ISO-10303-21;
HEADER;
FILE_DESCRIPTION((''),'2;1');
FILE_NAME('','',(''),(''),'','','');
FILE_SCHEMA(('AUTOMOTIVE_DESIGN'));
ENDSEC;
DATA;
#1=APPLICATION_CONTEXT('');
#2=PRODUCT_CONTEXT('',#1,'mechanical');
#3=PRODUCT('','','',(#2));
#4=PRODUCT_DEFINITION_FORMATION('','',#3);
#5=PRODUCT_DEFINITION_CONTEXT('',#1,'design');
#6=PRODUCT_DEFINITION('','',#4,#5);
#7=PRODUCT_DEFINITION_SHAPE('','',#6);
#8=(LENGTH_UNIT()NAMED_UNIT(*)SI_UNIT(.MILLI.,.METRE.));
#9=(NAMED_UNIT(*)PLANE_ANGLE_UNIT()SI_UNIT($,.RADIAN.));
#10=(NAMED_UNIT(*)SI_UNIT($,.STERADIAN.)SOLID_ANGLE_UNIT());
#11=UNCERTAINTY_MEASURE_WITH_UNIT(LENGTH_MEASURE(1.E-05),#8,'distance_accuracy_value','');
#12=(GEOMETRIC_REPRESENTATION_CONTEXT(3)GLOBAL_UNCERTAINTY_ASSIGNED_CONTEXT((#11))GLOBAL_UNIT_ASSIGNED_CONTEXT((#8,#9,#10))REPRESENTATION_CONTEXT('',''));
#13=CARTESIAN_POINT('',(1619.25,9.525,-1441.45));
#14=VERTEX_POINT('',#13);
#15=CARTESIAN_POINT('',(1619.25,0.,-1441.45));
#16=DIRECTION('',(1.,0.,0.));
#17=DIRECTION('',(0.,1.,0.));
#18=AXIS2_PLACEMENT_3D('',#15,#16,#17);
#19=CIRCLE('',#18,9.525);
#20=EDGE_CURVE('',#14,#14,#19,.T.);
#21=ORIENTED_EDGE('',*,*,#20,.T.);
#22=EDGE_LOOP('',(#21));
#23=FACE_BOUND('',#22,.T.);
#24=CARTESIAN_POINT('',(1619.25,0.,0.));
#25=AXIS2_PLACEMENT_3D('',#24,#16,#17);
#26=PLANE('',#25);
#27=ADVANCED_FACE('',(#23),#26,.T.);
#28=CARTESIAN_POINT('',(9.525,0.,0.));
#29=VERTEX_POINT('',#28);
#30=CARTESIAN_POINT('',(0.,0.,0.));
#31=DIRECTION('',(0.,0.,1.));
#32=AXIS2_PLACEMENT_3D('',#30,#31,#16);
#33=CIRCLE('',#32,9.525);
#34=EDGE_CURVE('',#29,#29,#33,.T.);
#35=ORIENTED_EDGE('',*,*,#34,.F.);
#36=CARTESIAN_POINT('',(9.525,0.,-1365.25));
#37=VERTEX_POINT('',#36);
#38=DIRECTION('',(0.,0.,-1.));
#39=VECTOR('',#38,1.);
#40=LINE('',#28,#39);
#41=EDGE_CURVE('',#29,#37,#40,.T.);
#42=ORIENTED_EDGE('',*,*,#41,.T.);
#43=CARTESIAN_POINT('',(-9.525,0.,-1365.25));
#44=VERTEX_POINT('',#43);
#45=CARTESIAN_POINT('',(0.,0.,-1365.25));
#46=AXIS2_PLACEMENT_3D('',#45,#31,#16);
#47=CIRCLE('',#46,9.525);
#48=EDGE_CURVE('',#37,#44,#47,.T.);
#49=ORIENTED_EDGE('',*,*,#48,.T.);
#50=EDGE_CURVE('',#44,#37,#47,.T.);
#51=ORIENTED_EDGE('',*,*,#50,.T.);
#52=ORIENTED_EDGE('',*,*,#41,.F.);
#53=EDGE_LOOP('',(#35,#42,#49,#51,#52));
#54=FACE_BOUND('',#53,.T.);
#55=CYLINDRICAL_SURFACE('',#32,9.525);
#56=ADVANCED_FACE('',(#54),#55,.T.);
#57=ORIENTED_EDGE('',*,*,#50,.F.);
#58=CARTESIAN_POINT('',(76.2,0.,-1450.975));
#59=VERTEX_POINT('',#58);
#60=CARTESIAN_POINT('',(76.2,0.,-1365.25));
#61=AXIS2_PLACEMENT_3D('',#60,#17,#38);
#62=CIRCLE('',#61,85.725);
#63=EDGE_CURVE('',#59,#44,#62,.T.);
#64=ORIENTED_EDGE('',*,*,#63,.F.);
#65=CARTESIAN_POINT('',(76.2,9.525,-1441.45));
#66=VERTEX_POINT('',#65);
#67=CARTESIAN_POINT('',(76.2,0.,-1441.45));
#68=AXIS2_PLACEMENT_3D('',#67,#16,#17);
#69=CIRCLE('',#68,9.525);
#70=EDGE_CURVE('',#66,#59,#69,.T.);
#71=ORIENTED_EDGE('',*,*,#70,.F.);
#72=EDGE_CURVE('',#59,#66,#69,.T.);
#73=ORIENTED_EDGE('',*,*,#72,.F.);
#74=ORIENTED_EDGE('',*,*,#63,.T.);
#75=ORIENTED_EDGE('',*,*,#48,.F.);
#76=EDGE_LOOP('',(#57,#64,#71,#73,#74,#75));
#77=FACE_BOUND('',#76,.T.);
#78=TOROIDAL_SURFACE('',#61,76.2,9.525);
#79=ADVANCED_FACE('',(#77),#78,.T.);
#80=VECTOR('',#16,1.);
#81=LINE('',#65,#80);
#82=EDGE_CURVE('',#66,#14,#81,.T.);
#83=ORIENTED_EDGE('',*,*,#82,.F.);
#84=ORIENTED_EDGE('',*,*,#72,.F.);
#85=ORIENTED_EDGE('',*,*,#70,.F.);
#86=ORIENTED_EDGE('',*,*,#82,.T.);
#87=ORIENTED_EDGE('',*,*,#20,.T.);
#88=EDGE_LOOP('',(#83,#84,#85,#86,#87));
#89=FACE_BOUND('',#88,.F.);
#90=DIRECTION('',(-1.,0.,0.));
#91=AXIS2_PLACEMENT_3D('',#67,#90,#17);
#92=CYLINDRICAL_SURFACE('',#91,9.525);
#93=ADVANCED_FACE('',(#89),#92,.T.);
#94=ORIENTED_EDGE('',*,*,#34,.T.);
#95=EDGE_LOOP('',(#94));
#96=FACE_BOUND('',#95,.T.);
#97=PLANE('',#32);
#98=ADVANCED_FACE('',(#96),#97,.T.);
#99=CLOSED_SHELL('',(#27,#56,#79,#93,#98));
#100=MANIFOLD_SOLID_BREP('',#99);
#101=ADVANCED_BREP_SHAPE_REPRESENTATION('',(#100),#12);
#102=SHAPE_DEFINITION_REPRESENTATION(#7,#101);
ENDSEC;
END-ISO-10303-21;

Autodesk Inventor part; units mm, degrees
ref_plane "XZ Plane" through (0, 0, 0) normal (0, 1, 0) x (-1, 0, 0)
ref_plane "XY Plane" through (0, 0, 0) normal (0, 0, 1) x (1, 0, 0)
sketch "Sketch2" plane through (0, 0, 0) normal (0, 0, 1) x (1, 0, 0)
  circle A0 centre (0, 0) radius 9.525
  dimension "d3" = 19.05
extrude "Extrusion2" add sketch "Sketch2" against normal blind 1365.25
ref_plane "Work Plane1" through (76.2, 0, 0) normal (1, 0, 0) x (0, 1, 0)
sketch "Sketch9" plane through (76.2, 0, 0) normal (1, 0, 0) x (0, 1, 0)
  line L0 (-9.525, -1365.25) -> (9.525, -1365.25) projected
  circle A0 centre (0, -1441.45) radius 9.525
  line L1 (0, -1365.25) -> (0, -1441.45) construction
  point P0 (0, 0)
  dimension "d17" = 19.05
  dimension "d18" = 76.2
extrude "Extrusion4" add sketch "Sketch9" along normal blind 1543.05
sketch "Sketch11" plane through (0, 0, -1365.25) normal (0, 0, -1) x (-1, 0, 0)
  circle A0 centre (0, 0) radius 9.525 projected
sketch "Sketch12" plane through (0, 0, 0) normal (0, 1, 0) x (-1, 0, 0)
  line L0 (-76.2, -1450.975) -> (-76.2, -1431.925) projected
  line L1 (-9.525, -1365.25) -> (9.525, -1365.25) projected
  arc A0 (-76.2, -1441.45) -> (0, -1365.25) centre (-76.2, -1365.25) ccw
  point P0 (0, 0)
  dimension "d21" = 76.2
sweep "Sweep2" add profiles "Sketch11" path "Sketch12" path curves A0
equation "\"d3\" = tubeD"
equation "\"d17\" = tubeD"
equation "\"d18\" = tubeTurnR"
equation "\"d21\" = tubeTurnR"
equation "\"d4\" = tubeTurnR"
equation "\"wallThick\" = 44.45"
equation "\"roomWidth\" = 3048"
equation "\"roomDepth\" = 3657.6"
equation "\"roomHeight\" = 2438.4"
equation "\"doorWidth\" = 895.35"
equation "\"doorHeight\" = 2108.2"
equation "\"doorX\" = 774.7"
equation "\"doorY\" = 88.9"
equation "\"doorLip\" = 76.2"
equation "\"doorThick\" = 57.15"
equation "\"tubeTurnR\" = 76.2"
equation "\"tubeD\" = 19.05"
properties part number "left_tube_0"
